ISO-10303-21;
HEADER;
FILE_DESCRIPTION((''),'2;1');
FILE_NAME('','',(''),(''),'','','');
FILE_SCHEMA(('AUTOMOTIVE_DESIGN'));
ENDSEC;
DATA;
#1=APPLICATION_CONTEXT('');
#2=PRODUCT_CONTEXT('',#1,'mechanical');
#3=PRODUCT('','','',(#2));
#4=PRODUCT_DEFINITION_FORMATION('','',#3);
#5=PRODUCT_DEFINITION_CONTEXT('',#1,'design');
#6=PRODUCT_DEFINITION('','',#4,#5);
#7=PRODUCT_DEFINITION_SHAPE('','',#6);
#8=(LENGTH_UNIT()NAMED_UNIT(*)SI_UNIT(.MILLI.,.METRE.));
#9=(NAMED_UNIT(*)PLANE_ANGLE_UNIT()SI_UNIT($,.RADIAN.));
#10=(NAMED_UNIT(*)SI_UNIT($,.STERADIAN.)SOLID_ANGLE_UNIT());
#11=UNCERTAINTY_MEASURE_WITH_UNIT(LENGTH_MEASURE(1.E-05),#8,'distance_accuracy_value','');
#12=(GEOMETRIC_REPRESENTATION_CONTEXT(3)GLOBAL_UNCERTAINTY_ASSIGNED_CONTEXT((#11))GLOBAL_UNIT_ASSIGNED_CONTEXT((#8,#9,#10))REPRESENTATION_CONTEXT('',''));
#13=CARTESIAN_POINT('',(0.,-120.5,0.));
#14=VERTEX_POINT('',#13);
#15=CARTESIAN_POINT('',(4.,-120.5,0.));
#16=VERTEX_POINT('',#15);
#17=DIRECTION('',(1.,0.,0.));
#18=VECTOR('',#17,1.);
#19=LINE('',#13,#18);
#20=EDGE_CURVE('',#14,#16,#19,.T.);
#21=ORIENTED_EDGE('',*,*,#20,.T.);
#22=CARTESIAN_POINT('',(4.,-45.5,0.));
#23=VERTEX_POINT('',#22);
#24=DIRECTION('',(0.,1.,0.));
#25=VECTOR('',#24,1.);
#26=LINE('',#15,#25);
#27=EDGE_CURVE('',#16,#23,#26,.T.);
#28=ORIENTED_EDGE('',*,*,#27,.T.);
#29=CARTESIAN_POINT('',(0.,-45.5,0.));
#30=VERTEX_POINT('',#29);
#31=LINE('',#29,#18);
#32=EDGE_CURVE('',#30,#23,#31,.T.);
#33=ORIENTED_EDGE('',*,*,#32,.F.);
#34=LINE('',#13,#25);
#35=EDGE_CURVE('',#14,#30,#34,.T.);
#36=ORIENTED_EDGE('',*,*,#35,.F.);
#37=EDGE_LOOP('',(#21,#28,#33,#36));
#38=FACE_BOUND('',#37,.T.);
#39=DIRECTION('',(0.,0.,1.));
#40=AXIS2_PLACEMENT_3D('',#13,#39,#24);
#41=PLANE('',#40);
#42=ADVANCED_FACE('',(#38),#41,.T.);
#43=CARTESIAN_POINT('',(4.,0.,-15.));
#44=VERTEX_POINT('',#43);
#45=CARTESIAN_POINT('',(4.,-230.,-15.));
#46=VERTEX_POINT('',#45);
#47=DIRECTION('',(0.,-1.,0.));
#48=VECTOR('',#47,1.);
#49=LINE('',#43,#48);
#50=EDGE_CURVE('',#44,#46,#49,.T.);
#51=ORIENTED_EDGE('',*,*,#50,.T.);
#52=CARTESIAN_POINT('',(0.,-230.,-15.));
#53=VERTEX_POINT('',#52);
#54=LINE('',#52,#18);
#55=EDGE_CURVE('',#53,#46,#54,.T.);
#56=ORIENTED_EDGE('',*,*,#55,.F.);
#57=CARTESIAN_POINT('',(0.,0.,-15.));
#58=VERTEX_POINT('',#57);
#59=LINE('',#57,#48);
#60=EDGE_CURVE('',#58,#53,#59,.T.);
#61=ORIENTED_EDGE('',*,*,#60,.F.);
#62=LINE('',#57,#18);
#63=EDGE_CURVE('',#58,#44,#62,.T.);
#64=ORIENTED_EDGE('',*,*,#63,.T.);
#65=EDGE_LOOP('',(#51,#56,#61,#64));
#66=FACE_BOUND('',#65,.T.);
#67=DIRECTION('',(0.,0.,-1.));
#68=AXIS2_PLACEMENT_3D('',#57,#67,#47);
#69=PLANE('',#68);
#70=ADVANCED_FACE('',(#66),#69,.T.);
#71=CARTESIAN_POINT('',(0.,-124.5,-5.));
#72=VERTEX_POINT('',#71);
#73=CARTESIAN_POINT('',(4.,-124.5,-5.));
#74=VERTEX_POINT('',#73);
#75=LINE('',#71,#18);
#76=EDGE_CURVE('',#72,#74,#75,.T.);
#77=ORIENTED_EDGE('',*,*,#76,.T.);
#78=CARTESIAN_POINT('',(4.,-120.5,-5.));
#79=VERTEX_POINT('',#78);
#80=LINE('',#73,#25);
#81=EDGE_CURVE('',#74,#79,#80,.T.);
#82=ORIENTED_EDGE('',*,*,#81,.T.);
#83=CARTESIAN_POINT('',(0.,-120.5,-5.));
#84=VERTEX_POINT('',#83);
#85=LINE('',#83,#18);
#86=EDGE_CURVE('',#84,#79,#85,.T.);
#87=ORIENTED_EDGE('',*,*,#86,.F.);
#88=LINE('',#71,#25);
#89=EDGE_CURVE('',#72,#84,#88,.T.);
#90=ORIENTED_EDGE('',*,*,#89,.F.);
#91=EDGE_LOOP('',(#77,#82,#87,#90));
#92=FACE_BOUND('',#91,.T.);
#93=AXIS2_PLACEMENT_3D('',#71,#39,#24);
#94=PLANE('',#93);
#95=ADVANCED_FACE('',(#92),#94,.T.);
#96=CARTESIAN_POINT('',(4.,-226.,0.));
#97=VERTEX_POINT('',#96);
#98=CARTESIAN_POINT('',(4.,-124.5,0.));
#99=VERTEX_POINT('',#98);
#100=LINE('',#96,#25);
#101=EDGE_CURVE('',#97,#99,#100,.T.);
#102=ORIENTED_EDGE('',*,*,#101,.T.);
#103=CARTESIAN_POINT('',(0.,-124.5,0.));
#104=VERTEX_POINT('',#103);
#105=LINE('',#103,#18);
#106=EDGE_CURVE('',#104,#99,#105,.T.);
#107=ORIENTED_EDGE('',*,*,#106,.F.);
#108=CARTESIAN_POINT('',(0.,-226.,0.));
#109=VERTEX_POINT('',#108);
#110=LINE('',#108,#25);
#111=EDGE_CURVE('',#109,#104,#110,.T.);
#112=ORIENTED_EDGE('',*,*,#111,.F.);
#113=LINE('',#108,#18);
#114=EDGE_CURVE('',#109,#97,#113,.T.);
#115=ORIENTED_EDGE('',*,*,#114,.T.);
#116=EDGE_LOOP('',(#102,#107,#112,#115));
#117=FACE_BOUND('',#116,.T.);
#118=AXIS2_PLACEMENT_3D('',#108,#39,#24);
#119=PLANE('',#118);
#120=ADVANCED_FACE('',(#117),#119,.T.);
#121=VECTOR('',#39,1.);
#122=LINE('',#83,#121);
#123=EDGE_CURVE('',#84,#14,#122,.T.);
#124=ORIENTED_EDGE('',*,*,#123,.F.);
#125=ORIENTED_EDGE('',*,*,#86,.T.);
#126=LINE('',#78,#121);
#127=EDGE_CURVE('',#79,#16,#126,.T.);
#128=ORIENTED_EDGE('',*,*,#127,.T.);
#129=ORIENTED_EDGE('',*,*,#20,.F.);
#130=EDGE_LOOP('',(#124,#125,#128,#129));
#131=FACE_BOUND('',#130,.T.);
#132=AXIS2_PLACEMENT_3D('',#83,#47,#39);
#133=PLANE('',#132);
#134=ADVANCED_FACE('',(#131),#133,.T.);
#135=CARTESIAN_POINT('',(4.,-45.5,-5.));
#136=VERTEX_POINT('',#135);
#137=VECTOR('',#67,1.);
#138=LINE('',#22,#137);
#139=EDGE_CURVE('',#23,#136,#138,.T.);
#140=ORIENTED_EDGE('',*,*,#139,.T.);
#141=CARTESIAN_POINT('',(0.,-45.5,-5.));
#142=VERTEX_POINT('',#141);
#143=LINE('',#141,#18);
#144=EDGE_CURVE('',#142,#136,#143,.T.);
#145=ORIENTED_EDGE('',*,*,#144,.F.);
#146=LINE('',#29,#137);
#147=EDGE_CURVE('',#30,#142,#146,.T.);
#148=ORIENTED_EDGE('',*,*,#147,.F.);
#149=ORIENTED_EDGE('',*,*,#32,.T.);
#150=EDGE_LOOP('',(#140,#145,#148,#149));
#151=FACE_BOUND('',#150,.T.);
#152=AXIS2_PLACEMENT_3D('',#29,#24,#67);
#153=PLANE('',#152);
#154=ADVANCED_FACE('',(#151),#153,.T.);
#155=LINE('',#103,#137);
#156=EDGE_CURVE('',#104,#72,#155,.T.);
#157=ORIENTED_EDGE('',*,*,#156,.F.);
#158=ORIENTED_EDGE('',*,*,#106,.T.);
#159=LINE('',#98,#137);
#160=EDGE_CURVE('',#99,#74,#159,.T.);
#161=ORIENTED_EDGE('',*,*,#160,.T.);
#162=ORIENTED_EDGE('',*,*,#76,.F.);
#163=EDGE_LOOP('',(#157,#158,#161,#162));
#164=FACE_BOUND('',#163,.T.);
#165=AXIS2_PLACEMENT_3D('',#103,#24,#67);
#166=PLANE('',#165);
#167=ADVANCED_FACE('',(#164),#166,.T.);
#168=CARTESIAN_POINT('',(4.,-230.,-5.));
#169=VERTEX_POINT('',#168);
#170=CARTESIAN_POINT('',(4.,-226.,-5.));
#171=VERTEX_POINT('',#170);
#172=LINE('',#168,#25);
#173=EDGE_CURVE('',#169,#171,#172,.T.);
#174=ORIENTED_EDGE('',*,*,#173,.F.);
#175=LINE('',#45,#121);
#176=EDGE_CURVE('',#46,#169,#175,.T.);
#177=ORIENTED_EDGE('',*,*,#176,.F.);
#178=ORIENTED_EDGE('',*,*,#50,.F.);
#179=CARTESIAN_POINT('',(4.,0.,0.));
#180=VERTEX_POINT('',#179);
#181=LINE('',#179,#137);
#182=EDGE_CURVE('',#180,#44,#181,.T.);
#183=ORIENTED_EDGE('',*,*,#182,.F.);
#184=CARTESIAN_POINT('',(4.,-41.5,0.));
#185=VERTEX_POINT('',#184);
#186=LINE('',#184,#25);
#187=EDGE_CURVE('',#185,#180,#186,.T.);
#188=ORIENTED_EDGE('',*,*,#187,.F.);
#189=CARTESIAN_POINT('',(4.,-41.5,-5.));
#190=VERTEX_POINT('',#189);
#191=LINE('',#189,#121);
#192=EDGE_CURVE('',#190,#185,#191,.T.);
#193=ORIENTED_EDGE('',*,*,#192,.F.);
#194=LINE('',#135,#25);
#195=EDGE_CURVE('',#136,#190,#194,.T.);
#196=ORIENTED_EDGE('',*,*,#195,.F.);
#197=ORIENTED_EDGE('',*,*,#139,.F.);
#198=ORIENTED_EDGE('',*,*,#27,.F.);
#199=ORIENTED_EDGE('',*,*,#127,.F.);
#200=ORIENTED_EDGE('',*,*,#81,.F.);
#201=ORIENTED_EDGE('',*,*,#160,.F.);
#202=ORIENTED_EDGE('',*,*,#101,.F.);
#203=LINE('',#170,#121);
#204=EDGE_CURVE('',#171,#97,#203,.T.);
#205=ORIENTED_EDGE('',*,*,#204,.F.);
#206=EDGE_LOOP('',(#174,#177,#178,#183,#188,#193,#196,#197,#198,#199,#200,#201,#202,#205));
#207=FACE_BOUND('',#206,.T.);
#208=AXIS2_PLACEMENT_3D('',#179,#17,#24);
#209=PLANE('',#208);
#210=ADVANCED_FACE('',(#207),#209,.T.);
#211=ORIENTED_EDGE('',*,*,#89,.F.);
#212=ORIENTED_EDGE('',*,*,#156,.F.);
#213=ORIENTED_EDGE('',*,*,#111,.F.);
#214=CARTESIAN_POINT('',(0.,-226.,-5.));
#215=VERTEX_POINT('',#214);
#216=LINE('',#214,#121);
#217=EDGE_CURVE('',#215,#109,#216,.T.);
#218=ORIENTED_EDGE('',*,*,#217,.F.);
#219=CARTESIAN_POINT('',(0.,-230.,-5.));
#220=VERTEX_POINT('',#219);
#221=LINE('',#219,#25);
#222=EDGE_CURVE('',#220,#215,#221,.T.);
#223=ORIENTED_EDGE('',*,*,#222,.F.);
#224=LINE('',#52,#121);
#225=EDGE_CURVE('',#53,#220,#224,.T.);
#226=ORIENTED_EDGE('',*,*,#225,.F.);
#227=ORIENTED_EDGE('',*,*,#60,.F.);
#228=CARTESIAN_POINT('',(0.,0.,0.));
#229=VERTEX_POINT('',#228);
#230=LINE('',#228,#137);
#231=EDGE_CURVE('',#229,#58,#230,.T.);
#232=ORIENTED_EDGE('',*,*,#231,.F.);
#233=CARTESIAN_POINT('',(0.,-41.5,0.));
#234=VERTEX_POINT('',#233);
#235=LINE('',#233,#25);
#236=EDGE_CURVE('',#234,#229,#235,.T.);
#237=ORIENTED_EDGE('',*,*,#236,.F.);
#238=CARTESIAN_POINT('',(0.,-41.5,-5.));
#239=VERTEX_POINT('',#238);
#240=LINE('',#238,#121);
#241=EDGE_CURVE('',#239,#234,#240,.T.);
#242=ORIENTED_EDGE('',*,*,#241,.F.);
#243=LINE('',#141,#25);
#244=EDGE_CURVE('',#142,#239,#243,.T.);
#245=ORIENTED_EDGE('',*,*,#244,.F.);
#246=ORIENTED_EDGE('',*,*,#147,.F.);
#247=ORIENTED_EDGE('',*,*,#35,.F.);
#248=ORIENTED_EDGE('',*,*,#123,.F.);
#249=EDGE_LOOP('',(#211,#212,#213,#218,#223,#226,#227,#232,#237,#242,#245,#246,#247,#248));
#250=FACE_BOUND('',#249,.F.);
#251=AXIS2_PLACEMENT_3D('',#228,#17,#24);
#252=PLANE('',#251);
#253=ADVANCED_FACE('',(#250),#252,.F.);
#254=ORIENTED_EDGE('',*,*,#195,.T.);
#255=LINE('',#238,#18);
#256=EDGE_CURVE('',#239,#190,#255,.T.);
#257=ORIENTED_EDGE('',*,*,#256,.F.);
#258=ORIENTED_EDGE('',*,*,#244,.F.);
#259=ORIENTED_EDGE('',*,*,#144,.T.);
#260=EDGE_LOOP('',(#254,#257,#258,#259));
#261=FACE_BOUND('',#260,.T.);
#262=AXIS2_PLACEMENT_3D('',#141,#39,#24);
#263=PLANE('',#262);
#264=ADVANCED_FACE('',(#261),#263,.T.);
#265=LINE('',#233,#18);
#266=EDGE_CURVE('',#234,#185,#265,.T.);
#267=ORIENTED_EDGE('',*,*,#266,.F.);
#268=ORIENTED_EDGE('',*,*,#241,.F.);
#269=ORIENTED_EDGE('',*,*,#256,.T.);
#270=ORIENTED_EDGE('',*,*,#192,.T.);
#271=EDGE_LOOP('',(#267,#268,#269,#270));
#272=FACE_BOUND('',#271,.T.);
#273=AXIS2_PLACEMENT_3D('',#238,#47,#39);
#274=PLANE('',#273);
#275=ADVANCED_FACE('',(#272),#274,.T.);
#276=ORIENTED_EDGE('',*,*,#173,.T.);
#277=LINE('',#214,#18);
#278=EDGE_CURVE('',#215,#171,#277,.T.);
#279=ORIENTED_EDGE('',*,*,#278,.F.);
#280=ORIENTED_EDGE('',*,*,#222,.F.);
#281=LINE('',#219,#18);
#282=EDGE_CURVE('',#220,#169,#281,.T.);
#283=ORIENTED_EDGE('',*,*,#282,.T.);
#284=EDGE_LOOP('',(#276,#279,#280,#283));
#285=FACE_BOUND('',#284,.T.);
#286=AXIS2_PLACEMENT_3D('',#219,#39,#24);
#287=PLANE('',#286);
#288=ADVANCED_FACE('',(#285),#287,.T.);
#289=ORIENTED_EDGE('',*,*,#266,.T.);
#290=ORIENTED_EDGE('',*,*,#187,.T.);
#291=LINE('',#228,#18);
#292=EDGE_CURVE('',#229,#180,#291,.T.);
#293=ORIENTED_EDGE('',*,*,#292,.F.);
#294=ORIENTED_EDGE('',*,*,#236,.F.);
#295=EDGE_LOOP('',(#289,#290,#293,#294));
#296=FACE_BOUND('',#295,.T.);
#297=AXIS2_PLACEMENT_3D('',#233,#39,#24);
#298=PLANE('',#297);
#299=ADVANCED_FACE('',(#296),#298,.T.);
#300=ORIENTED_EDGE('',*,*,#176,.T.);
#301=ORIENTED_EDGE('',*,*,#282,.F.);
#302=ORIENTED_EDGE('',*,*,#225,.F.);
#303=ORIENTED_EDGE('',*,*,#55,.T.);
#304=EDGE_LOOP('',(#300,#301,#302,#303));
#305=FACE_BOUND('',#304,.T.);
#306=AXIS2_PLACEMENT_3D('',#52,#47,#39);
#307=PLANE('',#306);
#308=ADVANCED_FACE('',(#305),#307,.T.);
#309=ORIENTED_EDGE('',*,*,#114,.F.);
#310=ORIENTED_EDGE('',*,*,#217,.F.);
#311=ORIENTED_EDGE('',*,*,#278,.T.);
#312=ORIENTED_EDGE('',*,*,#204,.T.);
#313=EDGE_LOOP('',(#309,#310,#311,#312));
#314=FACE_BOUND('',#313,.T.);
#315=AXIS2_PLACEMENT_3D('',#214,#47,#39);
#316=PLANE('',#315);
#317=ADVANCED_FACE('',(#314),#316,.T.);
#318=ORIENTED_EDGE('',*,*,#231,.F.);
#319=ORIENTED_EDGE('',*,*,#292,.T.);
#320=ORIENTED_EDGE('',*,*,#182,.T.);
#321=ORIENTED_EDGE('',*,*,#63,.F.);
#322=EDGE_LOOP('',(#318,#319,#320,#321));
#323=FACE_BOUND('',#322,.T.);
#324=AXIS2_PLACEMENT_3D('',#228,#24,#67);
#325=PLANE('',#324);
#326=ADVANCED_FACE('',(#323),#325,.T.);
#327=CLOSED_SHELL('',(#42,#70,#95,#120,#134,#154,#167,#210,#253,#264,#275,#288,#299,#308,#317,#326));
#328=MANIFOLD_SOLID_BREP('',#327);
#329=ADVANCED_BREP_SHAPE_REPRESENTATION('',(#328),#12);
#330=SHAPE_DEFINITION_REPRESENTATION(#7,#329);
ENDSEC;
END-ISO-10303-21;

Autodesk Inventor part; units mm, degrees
ref_plane "YZ Plane" through (0, 0, 0) normal (1, 0, 0) x (0, 1, 0)
ref_plane "XZ Plane" through (0, 0, 0) normal (0, 1, 0) x (-1, 0, 0)
ref_plane "XY Plane" through (0, 0, 0) normal (0, 0, 1) x (1, 0, 0)
sketch "Skizze1" plane through (0, 0, 0) normal (1, 0, 0) x (0, 1, 0)
  line L0 (0, 0) -> (0, -15)
  line L1 (0, -15) -> (-230, -15)
  line L2 (-230, -15) -> (-230, -5)
  line L3 (-230, -5) -> (-226, -5)
  line L4 (-226, -5) -> (-226, 0)
  line L5 (-226, 0) -> (-124.5, 0)
  line L6 (-124.5, 0) -> (-124.5, -5)
  line L7 (-124.5, -5) -> (-120.5, -5)
  line L8 (-120.5, -5) -> (-120.5, 0)
  line L9 (-120.5, 0) -> (-45.5, 0)
  line L10 (-45.5, 0) -> (-45.5, -5)
  line L11 (-45.5, -5) -> (-41.5, -5)
  line L12 (-41.5, -5) -> (-41.5, 0)
  line L13 (-41.5, 0) -> (0, 0)
  dimension "d0" = 4
  dimension "d1" = 10
  dimension "d6" = 101.5
  dimension "d8" = 41.5
  dimension "d10" = 5
  dimension "d11" = 75
extrude "Extrusion1" add sketch "Skizze1" along normal blind 4
properties part number "sideHolder" material "Pappel"
